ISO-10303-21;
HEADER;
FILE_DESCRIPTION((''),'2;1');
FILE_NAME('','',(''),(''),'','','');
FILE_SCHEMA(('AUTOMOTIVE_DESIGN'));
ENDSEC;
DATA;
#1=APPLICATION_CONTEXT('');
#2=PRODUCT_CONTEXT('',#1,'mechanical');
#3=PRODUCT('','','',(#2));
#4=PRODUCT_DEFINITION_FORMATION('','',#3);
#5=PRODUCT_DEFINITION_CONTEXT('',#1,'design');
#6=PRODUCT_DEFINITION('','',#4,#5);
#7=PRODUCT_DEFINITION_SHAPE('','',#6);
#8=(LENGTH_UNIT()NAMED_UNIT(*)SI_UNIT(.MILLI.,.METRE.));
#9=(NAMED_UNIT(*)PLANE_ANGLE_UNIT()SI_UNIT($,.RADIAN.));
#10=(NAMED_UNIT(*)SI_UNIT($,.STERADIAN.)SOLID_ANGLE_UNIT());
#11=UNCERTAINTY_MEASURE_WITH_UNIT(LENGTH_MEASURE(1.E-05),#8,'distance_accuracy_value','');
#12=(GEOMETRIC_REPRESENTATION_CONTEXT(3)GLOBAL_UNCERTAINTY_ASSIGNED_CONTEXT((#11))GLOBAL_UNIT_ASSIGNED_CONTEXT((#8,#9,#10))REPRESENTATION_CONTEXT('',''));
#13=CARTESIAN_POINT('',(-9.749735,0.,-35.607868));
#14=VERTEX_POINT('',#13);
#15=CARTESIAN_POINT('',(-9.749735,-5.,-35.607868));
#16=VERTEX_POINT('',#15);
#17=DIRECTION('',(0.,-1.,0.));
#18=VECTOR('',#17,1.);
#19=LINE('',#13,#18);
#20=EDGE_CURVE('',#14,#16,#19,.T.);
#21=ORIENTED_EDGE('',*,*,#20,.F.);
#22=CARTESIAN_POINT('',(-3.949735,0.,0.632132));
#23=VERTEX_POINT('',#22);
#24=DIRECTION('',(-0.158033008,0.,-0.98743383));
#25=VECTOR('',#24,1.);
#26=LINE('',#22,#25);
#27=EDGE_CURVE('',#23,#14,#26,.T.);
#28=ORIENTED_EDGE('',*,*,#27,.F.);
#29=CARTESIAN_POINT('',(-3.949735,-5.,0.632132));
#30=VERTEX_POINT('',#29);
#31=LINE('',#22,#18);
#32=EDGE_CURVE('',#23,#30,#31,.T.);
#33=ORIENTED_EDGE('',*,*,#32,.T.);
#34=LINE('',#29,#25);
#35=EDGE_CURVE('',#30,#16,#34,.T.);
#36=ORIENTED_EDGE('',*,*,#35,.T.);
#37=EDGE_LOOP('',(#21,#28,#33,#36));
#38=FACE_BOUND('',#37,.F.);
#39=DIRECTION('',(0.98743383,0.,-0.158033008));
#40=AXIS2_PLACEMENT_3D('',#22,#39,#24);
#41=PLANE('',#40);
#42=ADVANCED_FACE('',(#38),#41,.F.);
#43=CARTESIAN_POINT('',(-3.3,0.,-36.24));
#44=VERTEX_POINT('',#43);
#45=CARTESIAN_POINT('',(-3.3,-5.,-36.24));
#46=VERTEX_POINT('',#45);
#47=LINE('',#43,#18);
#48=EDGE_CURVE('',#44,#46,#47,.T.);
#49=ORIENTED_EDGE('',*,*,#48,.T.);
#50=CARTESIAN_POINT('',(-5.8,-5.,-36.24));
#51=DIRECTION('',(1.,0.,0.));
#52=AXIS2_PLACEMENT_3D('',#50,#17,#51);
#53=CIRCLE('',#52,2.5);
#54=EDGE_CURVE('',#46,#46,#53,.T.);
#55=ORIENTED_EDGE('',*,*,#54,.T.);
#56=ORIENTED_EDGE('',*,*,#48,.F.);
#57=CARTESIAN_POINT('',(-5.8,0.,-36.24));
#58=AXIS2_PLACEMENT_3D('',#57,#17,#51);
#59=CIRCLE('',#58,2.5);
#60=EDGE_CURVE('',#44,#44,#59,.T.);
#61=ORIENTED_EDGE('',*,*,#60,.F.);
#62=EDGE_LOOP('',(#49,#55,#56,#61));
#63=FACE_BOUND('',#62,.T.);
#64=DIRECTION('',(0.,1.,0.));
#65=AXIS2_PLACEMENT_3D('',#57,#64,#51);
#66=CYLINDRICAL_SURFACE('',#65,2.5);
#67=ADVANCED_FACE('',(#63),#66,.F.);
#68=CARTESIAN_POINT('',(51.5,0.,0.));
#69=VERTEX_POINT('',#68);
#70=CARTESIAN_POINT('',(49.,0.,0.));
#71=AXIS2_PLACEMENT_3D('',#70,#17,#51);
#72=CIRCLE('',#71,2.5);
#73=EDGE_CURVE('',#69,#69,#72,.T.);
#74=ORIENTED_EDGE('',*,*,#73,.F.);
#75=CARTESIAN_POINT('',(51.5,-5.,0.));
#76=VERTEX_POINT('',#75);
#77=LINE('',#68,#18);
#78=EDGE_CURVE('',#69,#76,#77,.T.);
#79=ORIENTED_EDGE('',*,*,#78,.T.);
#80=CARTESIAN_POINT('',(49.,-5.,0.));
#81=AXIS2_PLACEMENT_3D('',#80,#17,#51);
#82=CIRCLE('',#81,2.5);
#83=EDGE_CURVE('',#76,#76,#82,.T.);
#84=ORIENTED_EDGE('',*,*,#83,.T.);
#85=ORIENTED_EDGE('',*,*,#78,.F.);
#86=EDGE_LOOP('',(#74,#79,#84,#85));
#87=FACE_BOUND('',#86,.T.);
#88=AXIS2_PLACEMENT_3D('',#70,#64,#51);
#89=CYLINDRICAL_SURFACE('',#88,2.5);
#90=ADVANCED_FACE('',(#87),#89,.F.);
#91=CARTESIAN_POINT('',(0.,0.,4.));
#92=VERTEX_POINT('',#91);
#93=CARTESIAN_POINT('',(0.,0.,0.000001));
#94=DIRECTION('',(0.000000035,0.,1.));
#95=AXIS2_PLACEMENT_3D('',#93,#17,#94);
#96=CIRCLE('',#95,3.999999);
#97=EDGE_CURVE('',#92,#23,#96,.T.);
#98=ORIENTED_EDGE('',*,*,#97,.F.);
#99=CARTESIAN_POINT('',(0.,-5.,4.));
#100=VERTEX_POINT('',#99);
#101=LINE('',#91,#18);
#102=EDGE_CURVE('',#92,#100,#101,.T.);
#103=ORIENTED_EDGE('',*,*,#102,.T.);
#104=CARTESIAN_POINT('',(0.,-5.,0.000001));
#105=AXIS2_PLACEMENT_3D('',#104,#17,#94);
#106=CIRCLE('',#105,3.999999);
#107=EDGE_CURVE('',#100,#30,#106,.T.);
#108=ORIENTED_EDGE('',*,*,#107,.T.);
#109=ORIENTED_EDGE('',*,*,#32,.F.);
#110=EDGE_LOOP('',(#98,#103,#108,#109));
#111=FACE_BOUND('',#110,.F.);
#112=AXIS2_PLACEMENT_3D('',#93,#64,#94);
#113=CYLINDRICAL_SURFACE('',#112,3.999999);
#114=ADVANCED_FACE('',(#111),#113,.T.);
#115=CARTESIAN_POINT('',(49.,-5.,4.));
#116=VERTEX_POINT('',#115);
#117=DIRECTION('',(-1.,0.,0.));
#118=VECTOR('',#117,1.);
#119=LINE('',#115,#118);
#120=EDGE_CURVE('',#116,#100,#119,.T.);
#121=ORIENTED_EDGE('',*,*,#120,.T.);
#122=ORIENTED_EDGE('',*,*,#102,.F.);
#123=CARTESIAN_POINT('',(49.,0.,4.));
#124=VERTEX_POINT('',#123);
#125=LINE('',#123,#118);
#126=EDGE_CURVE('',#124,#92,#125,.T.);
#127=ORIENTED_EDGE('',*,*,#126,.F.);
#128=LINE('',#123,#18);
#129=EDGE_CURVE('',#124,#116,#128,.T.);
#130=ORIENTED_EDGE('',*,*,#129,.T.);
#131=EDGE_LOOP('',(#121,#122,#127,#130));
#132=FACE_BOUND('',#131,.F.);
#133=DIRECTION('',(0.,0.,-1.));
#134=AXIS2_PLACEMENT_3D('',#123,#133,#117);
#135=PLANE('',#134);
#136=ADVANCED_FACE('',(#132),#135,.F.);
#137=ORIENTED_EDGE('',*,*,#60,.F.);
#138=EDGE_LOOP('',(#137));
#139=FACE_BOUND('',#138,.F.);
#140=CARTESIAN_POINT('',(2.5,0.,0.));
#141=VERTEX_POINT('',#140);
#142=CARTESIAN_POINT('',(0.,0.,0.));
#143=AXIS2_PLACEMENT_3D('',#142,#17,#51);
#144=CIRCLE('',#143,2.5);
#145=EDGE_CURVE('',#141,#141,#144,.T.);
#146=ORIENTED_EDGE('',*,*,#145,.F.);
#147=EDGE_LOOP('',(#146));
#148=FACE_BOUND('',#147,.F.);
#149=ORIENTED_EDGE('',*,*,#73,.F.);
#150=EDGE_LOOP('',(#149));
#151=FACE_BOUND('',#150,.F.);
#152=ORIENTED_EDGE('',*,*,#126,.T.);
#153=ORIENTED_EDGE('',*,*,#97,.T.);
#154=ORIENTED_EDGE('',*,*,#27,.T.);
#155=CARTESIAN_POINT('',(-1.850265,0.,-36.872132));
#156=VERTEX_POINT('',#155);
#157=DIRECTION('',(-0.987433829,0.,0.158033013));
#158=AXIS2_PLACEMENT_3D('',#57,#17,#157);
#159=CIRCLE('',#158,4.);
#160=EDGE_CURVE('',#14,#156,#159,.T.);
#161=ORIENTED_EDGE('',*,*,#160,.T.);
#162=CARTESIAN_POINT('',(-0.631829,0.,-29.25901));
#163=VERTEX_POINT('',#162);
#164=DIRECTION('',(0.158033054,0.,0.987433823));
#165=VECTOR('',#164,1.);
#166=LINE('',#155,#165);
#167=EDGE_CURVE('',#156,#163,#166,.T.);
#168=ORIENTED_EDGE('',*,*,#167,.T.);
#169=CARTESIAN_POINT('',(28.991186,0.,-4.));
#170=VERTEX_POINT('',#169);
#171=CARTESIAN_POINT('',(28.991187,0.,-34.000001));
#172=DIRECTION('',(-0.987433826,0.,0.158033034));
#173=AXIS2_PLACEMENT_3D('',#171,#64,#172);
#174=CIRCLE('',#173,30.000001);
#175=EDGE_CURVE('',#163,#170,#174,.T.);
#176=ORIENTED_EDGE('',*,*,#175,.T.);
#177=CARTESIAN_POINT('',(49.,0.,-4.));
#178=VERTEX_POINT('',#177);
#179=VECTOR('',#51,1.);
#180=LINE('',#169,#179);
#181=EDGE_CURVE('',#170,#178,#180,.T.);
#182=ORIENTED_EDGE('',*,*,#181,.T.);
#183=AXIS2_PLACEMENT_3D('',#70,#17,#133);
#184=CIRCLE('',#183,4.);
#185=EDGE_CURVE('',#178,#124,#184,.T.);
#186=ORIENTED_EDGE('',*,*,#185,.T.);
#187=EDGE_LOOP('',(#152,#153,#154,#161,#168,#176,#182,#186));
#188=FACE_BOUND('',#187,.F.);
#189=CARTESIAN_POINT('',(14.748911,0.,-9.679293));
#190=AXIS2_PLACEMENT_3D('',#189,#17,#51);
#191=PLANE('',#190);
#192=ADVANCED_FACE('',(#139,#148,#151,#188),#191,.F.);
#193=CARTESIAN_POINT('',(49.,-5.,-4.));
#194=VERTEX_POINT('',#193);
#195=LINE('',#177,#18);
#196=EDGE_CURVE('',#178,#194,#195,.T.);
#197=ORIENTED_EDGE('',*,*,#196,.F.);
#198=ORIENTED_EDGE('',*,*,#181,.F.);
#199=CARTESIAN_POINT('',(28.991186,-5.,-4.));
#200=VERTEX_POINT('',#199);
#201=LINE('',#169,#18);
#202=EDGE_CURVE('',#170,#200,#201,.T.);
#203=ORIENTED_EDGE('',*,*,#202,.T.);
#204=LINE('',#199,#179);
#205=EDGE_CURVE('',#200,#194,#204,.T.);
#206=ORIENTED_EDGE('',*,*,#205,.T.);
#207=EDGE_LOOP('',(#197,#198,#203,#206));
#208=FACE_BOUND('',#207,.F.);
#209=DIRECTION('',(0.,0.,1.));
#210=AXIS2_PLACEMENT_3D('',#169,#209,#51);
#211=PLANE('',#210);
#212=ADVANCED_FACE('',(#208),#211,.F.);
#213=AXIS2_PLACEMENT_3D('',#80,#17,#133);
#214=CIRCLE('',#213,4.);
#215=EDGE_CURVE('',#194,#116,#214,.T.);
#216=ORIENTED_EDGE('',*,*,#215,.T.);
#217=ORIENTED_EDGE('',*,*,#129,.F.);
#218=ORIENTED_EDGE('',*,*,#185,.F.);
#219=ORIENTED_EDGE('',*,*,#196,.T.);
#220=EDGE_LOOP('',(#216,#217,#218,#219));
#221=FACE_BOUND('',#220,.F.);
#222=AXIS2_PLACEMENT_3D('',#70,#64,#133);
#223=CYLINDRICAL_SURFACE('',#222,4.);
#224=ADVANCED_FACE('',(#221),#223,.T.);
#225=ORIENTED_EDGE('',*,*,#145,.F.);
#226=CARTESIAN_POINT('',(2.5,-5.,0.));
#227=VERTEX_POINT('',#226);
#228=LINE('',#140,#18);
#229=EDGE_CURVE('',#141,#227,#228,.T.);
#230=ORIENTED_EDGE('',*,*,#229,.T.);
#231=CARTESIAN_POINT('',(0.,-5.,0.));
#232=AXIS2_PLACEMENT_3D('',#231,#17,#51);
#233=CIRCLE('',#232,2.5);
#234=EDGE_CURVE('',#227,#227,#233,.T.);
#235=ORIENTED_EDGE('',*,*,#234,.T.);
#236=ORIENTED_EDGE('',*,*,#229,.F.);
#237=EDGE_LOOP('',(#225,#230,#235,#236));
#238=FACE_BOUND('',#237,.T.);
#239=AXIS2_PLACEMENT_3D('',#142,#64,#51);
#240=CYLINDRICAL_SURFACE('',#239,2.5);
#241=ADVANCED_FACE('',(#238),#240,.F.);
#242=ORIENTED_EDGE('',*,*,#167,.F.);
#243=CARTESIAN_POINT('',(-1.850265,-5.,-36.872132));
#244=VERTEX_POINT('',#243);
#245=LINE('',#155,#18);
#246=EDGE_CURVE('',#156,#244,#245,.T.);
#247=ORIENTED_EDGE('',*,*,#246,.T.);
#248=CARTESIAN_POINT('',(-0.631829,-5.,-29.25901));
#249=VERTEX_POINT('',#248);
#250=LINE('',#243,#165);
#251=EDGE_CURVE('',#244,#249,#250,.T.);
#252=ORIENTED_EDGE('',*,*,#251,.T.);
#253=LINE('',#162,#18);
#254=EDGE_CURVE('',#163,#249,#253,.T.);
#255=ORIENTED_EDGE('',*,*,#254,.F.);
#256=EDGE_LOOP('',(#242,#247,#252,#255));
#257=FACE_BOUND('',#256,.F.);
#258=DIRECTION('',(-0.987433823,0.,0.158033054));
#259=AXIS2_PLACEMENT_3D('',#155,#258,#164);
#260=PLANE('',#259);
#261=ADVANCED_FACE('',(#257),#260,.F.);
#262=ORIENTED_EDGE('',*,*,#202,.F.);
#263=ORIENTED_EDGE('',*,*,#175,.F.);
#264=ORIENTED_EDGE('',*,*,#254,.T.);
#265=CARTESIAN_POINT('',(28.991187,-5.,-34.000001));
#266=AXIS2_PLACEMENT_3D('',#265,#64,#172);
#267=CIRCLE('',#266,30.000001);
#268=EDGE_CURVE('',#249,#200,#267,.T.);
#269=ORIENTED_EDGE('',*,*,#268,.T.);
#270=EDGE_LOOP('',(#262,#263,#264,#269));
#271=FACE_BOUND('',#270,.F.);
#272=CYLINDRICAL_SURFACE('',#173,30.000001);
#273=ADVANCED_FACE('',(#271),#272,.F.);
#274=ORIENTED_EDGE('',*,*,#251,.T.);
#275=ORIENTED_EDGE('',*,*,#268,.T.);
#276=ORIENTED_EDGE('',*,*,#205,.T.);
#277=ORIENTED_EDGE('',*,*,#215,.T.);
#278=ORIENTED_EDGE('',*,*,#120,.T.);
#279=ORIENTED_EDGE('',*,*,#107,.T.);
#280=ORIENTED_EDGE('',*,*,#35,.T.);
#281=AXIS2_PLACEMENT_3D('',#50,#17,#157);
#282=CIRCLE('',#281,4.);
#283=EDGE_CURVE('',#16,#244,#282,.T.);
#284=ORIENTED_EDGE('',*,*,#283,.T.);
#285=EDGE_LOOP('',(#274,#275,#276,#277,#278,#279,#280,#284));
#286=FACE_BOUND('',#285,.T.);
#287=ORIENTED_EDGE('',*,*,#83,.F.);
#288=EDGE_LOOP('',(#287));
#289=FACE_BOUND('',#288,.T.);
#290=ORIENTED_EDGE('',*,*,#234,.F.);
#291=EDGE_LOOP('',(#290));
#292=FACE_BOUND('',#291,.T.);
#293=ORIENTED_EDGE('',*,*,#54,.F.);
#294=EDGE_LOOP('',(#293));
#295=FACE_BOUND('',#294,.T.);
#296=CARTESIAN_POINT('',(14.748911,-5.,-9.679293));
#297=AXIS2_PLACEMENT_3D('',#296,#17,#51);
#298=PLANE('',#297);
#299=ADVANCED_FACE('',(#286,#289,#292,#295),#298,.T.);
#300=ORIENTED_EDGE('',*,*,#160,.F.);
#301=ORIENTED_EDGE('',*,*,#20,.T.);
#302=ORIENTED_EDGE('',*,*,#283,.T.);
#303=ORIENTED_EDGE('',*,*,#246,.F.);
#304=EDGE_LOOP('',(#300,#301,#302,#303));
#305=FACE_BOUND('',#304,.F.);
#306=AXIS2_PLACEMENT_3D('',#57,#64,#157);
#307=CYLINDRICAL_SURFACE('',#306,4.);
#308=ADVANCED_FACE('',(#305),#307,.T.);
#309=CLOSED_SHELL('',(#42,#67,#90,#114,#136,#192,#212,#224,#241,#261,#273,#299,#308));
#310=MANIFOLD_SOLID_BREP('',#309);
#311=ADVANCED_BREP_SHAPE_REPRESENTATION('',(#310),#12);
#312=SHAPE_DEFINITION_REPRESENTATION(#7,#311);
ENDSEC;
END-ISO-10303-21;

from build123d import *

# Parameters (mm, degrees)
F0_R     = 2.5
F1_DEPTH = 5


with BuildPart() as f1:
    # F0 (on Front) → F1 (new body)
    with BuildSketch(Plane.XZ):
        with BuildLine():
            Line((49, 4), (0, 4))
            ThreePointArc((0, 4), (-2.59533, 3.043725), (-3.949735, 0.632132))
            Line((-3.949735, 0.632132), (-9.749735, -35.607868))
            ThreePointArc((-9.749735, -35.607868), (-6.432132, -40.189735), (-1.850265, -36.872132))
            Line((-1.850265, -36.872132), (-0.631829, -29.25901))
            ThreePointArc((-0.631829, -29.25901), (9.526214, -11.17206), (28.991186, -4))
            Line((28.991186, -4), (49, -4))
            ThreePointArc((49, -4), (53, 0), (49, 4))
        make_face()
        with Locations((-5.8, -36.24)):
            Circle(F0_R, mode=Mode.SUBTRACT)
        Circle(F0_R, mode=Mode.SUBTRACT)
        with Locations((49, 0)):
            Circle(F0_R, mode=Mode.SUBTRACT)
    extrude(amount=F1_DEPTH)


solid = f1.part
